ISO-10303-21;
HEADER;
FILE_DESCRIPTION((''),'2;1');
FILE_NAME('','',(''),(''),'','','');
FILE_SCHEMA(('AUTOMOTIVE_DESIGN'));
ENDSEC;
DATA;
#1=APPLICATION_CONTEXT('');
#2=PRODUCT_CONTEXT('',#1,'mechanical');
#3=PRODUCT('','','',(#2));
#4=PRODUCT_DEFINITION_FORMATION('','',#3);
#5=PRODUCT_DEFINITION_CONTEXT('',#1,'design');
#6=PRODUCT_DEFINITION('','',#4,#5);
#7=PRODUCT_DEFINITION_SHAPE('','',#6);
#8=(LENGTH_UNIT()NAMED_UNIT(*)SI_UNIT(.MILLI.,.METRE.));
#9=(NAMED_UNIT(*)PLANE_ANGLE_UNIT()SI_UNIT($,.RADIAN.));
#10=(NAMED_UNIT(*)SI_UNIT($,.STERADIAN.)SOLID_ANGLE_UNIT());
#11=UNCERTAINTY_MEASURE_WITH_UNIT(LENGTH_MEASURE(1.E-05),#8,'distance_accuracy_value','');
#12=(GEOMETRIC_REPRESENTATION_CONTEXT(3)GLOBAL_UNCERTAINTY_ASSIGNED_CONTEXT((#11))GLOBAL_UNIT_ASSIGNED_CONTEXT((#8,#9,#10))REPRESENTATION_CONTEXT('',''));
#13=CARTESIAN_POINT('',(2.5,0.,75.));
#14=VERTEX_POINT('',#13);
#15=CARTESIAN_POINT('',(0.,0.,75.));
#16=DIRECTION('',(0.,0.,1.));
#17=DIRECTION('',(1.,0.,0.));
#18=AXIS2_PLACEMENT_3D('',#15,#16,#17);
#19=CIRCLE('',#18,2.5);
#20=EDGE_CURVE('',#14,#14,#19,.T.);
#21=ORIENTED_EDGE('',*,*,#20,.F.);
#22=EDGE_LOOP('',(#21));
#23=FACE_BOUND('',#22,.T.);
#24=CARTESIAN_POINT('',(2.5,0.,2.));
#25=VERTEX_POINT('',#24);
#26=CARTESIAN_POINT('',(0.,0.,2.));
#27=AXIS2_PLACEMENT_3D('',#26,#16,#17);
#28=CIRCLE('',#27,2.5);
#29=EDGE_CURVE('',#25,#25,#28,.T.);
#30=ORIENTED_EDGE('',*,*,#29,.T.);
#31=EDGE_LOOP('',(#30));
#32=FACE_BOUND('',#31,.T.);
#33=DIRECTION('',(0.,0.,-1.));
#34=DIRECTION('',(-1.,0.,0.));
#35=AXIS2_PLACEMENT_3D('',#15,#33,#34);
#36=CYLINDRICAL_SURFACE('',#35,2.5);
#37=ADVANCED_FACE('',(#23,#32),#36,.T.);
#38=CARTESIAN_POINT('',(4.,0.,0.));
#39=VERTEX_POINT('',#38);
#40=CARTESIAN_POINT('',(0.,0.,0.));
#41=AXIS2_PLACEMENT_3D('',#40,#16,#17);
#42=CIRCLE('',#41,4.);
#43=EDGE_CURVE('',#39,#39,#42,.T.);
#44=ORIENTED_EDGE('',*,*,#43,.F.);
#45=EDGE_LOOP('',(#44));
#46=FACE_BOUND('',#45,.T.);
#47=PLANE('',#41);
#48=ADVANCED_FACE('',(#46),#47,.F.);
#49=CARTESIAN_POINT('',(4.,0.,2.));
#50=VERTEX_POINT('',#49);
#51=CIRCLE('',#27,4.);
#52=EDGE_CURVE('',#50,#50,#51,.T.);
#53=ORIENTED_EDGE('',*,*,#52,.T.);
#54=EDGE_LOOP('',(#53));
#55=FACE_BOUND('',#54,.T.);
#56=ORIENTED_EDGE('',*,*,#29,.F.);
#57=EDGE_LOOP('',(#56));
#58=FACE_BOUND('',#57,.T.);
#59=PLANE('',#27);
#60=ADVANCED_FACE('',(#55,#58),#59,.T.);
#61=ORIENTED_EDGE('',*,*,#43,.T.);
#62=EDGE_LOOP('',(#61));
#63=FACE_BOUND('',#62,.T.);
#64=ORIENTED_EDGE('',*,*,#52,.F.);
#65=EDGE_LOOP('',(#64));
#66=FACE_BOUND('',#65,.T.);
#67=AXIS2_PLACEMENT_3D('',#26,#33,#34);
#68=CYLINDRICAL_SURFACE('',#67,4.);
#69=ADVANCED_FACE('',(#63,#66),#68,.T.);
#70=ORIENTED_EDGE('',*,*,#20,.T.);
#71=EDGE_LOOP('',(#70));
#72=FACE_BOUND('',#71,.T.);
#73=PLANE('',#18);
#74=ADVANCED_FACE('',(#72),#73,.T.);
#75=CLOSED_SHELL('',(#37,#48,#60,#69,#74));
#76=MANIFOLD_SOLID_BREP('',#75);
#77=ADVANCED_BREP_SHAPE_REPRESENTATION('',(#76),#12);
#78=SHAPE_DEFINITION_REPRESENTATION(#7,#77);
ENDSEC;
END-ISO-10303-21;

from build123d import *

# Parameters (mm, degrees)
ESQUISSE1_R        = 2.5
BOSS_EXTRU_1_DEPTH = 75
ESQUISSE1_3_R      = 4
ESQUISSE1_3_R_2    = 2.5
BOSS_EXTRU_2_DEPTH = 2


with BuildPart() as part:
    # Esquisse1 → Boss.-Extru.1 (new body)
    with BuildSketch(Plane.XY):
        Circle(ESQUISSE1_R)
    extrude(amount=BOSS_EXTRU_1_DEPTH)

    # Esquisse1<3> → Boss.-Extru.2 (add)
    with BuildSketch(Plane.XY):
        Circle(ESQUISSE1_3_R)
        Circle(ESQUISSE1_3_R_2, mode=Mode.SUBTRACT)
    extrude(amount=BOSS_EXTRU_2_DEPTH)


solid = part.part
